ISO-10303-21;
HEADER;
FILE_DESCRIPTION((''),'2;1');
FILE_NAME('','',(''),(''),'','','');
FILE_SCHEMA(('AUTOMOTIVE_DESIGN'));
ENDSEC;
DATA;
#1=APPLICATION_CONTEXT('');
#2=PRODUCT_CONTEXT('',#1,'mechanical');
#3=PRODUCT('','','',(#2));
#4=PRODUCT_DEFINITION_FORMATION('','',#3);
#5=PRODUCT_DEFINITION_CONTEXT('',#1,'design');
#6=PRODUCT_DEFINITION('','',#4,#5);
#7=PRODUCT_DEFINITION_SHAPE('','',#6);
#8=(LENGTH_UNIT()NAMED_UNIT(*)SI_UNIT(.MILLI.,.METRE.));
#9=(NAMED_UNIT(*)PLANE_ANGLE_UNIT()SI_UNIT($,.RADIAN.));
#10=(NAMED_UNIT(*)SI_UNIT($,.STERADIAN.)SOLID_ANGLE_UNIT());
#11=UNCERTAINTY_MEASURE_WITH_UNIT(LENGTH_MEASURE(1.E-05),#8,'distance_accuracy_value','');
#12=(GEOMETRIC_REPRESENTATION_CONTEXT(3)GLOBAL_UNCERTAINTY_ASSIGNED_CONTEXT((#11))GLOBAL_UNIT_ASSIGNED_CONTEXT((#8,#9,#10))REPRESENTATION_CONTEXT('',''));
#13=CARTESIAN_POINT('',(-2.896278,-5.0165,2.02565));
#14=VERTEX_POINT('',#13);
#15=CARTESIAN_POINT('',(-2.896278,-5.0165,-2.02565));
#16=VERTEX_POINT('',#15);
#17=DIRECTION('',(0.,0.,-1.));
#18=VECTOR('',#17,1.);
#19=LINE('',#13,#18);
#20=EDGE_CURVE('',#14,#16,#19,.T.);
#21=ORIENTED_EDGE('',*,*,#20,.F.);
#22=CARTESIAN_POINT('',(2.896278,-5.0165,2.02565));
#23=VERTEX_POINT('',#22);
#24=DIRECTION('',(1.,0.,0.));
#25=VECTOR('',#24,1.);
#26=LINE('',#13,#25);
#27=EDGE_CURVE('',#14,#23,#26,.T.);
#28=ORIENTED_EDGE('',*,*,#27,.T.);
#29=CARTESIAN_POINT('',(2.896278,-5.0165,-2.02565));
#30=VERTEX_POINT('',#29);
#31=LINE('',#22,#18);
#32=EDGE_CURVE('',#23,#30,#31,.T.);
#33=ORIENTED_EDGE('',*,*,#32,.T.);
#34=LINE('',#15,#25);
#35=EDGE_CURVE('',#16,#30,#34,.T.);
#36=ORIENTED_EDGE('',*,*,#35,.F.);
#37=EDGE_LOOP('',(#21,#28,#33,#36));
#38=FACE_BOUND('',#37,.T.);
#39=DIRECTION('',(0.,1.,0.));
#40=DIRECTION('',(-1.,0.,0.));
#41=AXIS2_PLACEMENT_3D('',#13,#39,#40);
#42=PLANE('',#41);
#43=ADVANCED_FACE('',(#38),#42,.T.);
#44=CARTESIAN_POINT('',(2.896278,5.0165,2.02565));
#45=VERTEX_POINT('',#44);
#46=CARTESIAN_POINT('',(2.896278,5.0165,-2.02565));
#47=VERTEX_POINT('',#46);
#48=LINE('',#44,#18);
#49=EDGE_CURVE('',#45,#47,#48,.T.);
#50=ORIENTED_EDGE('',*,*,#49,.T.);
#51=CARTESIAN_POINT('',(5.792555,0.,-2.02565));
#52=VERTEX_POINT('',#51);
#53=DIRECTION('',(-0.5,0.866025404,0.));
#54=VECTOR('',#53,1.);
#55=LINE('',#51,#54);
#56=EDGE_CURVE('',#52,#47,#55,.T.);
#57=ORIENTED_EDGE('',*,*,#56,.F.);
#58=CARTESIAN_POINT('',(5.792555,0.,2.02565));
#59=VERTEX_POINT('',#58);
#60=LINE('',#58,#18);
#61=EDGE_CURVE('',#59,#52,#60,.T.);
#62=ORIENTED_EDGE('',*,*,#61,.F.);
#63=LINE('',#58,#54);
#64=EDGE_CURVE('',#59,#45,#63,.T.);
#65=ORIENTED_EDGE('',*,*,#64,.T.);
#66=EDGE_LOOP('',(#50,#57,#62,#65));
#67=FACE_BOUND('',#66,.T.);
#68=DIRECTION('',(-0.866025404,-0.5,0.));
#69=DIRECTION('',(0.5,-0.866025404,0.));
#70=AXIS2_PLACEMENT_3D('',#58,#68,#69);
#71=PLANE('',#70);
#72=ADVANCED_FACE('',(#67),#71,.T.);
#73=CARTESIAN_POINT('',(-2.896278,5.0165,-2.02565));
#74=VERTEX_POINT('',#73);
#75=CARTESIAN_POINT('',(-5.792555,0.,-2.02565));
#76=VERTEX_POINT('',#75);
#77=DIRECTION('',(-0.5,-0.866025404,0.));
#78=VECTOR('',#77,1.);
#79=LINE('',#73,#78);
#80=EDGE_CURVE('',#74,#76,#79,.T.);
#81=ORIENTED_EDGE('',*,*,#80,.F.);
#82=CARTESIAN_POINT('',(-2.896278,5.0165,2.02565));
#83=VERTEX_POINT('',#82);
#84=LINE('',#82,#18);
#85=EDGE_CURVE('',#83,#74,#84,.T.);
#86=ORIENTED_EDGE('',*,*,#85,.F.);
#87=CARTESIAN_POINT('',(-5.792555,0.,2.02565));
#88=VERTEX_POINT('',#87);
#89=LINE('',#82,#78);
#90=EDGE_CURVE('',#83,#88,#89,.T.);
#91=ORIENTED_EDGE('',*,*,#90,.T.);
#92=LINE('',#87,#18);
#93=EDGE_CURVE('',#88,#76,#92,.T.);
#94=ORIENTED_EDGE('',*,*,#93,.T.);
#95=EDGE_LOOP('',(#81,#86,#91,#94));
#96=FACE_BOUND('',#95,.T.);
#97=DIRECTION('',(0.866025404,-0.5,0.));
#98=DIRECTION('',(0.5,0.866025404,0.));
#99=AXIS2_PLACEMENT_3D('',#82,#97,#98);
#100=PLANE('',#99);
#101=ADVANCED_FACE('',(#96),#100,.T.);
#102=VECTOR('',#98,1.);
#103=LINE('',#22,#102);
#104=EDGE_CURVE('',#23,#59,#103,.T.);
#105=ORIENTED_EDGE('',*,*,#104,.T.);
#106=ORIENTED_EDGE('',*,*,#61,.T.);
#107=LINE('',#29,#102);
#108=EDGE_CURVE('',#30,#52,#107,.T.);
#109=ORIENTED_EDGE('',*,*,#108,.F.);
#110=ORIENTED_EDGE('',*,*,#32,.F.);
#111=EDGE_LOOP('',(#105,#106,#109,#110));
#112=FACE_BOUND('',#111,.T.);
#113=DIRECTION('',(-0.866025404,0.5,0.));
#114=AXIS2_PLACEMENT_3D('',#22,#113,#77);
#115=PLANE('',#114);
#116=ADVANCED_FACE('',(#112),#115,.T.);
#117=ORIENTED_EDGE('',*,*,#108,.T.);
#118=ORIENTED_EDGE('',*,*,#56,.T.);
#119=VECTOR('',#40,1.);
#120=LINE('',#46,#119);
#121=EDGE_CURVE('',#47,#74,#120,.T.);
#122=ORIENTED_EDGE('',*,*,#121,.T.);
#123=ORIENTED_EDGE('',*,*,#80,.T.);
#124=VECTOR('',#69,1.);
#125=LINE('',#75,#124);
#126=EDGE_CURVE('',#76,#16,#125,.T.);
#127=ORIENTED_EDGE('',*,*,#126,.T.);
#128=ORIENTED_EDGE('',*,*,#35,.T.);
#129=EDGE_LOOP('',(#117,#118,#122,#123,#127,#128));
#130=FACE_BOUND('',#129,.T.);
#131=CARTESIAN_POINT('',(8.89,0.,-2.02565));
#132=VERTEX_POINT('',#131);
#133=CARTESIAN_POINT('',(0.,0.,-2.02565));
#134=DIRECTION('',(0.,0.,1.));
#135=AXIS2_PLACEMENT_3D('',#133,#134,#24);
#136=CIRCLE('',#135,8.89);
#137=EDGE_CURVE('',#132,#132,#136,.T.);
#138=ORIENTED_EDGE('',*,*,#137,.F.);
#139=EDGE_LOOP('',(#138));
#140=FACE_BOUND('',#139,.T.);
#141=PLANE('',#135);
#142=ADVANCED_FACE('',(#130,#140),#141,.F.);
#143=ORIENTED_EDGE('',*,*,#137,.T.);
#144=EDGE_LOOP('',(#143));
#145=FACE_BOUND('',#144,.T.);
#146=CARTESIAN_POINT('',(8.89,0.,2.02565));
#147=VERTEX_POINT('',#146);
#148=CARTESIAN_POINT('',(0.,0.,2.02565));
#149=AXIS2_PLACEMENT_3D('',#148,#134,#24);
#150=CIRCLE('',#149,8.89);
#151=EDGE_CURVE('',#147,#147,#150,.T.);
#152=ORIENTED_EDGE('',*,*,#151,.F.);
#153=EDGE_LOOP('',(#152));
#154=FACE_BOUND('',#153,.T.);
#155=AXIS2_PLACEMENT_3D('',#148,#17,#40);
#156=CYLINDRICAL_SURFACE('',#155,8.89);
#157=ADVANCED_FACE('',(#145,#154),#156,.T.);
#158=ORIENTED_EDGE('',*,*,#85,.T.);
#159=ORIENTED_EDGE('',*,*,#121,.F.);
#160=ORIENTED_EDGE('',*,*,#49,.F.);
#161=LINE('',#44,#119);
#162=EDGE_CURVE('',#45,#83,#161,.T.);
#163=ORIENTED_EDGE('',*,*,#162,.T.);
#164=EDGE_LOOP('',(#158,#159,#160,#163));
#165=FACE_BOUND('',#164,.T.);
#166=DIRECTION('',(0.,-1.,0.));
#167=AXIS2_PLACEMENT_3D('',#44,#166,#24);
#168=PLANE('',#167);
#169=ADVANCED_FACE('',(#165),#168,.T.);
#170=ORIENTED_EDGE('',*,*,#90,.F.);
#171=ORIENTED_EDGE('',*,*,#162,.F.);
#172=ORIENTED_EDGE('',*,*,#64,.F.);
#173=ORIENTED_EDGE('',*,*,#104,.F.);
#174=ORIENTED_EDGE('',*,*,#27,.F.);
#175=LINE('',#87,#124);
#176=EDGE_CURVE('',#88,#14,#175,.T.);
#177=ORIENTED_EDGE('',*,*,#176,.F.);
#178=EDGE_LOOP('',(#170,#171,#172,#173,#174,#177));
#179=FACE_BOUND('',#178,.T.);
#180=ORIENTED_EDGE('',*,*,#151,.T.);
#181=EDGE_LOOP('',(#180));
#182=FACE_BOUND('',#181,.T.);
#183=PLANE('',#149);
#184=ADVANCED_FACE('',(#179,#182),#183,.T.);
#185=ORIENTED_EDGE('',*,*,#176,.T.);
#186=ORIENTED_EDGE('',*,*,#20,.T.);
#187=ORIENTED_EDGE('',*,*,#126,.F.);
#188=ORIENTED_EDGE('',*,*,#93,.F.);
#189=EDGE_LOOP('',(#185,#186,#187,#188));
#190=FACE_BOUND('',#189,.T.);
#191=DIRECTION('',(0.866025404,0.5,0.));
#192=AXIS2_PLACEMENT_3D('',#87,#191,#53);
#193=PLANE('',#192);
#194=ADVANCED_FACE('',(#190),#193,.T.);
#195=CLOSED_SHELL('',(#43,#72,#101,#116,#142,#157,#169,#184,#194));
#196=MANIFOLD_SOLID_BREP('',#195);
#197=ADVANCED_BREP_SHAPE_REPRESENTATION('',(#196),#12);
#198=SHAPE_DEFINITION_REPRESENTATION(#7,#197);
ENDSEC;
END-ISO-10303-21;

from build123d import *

# Parameters (mm, degrees)
SKETCH1_R           = 8.89
BOSS_EXTRUDE1_DEPTH = 2.02565


with BuildPart() as part:
    # Sketch1 → Boss-Extrude1 (new, symmetric)
    with BuildSketch(Plane.XY):
        Circle(SKETCH1_R)
        Polygon((-5.792555251, 0), (-2.896277625, -5.0165), (2.896277625, -5.0165), (5.792555251, 0), (2.896277625, 5.0165), (-2.896277625, 5.0165), align=None, mode=Mode.SUBTRACT)
    extrude(amount=BOSS_EXTRUDE1_DEPTH, both=True)


solid = part.part
